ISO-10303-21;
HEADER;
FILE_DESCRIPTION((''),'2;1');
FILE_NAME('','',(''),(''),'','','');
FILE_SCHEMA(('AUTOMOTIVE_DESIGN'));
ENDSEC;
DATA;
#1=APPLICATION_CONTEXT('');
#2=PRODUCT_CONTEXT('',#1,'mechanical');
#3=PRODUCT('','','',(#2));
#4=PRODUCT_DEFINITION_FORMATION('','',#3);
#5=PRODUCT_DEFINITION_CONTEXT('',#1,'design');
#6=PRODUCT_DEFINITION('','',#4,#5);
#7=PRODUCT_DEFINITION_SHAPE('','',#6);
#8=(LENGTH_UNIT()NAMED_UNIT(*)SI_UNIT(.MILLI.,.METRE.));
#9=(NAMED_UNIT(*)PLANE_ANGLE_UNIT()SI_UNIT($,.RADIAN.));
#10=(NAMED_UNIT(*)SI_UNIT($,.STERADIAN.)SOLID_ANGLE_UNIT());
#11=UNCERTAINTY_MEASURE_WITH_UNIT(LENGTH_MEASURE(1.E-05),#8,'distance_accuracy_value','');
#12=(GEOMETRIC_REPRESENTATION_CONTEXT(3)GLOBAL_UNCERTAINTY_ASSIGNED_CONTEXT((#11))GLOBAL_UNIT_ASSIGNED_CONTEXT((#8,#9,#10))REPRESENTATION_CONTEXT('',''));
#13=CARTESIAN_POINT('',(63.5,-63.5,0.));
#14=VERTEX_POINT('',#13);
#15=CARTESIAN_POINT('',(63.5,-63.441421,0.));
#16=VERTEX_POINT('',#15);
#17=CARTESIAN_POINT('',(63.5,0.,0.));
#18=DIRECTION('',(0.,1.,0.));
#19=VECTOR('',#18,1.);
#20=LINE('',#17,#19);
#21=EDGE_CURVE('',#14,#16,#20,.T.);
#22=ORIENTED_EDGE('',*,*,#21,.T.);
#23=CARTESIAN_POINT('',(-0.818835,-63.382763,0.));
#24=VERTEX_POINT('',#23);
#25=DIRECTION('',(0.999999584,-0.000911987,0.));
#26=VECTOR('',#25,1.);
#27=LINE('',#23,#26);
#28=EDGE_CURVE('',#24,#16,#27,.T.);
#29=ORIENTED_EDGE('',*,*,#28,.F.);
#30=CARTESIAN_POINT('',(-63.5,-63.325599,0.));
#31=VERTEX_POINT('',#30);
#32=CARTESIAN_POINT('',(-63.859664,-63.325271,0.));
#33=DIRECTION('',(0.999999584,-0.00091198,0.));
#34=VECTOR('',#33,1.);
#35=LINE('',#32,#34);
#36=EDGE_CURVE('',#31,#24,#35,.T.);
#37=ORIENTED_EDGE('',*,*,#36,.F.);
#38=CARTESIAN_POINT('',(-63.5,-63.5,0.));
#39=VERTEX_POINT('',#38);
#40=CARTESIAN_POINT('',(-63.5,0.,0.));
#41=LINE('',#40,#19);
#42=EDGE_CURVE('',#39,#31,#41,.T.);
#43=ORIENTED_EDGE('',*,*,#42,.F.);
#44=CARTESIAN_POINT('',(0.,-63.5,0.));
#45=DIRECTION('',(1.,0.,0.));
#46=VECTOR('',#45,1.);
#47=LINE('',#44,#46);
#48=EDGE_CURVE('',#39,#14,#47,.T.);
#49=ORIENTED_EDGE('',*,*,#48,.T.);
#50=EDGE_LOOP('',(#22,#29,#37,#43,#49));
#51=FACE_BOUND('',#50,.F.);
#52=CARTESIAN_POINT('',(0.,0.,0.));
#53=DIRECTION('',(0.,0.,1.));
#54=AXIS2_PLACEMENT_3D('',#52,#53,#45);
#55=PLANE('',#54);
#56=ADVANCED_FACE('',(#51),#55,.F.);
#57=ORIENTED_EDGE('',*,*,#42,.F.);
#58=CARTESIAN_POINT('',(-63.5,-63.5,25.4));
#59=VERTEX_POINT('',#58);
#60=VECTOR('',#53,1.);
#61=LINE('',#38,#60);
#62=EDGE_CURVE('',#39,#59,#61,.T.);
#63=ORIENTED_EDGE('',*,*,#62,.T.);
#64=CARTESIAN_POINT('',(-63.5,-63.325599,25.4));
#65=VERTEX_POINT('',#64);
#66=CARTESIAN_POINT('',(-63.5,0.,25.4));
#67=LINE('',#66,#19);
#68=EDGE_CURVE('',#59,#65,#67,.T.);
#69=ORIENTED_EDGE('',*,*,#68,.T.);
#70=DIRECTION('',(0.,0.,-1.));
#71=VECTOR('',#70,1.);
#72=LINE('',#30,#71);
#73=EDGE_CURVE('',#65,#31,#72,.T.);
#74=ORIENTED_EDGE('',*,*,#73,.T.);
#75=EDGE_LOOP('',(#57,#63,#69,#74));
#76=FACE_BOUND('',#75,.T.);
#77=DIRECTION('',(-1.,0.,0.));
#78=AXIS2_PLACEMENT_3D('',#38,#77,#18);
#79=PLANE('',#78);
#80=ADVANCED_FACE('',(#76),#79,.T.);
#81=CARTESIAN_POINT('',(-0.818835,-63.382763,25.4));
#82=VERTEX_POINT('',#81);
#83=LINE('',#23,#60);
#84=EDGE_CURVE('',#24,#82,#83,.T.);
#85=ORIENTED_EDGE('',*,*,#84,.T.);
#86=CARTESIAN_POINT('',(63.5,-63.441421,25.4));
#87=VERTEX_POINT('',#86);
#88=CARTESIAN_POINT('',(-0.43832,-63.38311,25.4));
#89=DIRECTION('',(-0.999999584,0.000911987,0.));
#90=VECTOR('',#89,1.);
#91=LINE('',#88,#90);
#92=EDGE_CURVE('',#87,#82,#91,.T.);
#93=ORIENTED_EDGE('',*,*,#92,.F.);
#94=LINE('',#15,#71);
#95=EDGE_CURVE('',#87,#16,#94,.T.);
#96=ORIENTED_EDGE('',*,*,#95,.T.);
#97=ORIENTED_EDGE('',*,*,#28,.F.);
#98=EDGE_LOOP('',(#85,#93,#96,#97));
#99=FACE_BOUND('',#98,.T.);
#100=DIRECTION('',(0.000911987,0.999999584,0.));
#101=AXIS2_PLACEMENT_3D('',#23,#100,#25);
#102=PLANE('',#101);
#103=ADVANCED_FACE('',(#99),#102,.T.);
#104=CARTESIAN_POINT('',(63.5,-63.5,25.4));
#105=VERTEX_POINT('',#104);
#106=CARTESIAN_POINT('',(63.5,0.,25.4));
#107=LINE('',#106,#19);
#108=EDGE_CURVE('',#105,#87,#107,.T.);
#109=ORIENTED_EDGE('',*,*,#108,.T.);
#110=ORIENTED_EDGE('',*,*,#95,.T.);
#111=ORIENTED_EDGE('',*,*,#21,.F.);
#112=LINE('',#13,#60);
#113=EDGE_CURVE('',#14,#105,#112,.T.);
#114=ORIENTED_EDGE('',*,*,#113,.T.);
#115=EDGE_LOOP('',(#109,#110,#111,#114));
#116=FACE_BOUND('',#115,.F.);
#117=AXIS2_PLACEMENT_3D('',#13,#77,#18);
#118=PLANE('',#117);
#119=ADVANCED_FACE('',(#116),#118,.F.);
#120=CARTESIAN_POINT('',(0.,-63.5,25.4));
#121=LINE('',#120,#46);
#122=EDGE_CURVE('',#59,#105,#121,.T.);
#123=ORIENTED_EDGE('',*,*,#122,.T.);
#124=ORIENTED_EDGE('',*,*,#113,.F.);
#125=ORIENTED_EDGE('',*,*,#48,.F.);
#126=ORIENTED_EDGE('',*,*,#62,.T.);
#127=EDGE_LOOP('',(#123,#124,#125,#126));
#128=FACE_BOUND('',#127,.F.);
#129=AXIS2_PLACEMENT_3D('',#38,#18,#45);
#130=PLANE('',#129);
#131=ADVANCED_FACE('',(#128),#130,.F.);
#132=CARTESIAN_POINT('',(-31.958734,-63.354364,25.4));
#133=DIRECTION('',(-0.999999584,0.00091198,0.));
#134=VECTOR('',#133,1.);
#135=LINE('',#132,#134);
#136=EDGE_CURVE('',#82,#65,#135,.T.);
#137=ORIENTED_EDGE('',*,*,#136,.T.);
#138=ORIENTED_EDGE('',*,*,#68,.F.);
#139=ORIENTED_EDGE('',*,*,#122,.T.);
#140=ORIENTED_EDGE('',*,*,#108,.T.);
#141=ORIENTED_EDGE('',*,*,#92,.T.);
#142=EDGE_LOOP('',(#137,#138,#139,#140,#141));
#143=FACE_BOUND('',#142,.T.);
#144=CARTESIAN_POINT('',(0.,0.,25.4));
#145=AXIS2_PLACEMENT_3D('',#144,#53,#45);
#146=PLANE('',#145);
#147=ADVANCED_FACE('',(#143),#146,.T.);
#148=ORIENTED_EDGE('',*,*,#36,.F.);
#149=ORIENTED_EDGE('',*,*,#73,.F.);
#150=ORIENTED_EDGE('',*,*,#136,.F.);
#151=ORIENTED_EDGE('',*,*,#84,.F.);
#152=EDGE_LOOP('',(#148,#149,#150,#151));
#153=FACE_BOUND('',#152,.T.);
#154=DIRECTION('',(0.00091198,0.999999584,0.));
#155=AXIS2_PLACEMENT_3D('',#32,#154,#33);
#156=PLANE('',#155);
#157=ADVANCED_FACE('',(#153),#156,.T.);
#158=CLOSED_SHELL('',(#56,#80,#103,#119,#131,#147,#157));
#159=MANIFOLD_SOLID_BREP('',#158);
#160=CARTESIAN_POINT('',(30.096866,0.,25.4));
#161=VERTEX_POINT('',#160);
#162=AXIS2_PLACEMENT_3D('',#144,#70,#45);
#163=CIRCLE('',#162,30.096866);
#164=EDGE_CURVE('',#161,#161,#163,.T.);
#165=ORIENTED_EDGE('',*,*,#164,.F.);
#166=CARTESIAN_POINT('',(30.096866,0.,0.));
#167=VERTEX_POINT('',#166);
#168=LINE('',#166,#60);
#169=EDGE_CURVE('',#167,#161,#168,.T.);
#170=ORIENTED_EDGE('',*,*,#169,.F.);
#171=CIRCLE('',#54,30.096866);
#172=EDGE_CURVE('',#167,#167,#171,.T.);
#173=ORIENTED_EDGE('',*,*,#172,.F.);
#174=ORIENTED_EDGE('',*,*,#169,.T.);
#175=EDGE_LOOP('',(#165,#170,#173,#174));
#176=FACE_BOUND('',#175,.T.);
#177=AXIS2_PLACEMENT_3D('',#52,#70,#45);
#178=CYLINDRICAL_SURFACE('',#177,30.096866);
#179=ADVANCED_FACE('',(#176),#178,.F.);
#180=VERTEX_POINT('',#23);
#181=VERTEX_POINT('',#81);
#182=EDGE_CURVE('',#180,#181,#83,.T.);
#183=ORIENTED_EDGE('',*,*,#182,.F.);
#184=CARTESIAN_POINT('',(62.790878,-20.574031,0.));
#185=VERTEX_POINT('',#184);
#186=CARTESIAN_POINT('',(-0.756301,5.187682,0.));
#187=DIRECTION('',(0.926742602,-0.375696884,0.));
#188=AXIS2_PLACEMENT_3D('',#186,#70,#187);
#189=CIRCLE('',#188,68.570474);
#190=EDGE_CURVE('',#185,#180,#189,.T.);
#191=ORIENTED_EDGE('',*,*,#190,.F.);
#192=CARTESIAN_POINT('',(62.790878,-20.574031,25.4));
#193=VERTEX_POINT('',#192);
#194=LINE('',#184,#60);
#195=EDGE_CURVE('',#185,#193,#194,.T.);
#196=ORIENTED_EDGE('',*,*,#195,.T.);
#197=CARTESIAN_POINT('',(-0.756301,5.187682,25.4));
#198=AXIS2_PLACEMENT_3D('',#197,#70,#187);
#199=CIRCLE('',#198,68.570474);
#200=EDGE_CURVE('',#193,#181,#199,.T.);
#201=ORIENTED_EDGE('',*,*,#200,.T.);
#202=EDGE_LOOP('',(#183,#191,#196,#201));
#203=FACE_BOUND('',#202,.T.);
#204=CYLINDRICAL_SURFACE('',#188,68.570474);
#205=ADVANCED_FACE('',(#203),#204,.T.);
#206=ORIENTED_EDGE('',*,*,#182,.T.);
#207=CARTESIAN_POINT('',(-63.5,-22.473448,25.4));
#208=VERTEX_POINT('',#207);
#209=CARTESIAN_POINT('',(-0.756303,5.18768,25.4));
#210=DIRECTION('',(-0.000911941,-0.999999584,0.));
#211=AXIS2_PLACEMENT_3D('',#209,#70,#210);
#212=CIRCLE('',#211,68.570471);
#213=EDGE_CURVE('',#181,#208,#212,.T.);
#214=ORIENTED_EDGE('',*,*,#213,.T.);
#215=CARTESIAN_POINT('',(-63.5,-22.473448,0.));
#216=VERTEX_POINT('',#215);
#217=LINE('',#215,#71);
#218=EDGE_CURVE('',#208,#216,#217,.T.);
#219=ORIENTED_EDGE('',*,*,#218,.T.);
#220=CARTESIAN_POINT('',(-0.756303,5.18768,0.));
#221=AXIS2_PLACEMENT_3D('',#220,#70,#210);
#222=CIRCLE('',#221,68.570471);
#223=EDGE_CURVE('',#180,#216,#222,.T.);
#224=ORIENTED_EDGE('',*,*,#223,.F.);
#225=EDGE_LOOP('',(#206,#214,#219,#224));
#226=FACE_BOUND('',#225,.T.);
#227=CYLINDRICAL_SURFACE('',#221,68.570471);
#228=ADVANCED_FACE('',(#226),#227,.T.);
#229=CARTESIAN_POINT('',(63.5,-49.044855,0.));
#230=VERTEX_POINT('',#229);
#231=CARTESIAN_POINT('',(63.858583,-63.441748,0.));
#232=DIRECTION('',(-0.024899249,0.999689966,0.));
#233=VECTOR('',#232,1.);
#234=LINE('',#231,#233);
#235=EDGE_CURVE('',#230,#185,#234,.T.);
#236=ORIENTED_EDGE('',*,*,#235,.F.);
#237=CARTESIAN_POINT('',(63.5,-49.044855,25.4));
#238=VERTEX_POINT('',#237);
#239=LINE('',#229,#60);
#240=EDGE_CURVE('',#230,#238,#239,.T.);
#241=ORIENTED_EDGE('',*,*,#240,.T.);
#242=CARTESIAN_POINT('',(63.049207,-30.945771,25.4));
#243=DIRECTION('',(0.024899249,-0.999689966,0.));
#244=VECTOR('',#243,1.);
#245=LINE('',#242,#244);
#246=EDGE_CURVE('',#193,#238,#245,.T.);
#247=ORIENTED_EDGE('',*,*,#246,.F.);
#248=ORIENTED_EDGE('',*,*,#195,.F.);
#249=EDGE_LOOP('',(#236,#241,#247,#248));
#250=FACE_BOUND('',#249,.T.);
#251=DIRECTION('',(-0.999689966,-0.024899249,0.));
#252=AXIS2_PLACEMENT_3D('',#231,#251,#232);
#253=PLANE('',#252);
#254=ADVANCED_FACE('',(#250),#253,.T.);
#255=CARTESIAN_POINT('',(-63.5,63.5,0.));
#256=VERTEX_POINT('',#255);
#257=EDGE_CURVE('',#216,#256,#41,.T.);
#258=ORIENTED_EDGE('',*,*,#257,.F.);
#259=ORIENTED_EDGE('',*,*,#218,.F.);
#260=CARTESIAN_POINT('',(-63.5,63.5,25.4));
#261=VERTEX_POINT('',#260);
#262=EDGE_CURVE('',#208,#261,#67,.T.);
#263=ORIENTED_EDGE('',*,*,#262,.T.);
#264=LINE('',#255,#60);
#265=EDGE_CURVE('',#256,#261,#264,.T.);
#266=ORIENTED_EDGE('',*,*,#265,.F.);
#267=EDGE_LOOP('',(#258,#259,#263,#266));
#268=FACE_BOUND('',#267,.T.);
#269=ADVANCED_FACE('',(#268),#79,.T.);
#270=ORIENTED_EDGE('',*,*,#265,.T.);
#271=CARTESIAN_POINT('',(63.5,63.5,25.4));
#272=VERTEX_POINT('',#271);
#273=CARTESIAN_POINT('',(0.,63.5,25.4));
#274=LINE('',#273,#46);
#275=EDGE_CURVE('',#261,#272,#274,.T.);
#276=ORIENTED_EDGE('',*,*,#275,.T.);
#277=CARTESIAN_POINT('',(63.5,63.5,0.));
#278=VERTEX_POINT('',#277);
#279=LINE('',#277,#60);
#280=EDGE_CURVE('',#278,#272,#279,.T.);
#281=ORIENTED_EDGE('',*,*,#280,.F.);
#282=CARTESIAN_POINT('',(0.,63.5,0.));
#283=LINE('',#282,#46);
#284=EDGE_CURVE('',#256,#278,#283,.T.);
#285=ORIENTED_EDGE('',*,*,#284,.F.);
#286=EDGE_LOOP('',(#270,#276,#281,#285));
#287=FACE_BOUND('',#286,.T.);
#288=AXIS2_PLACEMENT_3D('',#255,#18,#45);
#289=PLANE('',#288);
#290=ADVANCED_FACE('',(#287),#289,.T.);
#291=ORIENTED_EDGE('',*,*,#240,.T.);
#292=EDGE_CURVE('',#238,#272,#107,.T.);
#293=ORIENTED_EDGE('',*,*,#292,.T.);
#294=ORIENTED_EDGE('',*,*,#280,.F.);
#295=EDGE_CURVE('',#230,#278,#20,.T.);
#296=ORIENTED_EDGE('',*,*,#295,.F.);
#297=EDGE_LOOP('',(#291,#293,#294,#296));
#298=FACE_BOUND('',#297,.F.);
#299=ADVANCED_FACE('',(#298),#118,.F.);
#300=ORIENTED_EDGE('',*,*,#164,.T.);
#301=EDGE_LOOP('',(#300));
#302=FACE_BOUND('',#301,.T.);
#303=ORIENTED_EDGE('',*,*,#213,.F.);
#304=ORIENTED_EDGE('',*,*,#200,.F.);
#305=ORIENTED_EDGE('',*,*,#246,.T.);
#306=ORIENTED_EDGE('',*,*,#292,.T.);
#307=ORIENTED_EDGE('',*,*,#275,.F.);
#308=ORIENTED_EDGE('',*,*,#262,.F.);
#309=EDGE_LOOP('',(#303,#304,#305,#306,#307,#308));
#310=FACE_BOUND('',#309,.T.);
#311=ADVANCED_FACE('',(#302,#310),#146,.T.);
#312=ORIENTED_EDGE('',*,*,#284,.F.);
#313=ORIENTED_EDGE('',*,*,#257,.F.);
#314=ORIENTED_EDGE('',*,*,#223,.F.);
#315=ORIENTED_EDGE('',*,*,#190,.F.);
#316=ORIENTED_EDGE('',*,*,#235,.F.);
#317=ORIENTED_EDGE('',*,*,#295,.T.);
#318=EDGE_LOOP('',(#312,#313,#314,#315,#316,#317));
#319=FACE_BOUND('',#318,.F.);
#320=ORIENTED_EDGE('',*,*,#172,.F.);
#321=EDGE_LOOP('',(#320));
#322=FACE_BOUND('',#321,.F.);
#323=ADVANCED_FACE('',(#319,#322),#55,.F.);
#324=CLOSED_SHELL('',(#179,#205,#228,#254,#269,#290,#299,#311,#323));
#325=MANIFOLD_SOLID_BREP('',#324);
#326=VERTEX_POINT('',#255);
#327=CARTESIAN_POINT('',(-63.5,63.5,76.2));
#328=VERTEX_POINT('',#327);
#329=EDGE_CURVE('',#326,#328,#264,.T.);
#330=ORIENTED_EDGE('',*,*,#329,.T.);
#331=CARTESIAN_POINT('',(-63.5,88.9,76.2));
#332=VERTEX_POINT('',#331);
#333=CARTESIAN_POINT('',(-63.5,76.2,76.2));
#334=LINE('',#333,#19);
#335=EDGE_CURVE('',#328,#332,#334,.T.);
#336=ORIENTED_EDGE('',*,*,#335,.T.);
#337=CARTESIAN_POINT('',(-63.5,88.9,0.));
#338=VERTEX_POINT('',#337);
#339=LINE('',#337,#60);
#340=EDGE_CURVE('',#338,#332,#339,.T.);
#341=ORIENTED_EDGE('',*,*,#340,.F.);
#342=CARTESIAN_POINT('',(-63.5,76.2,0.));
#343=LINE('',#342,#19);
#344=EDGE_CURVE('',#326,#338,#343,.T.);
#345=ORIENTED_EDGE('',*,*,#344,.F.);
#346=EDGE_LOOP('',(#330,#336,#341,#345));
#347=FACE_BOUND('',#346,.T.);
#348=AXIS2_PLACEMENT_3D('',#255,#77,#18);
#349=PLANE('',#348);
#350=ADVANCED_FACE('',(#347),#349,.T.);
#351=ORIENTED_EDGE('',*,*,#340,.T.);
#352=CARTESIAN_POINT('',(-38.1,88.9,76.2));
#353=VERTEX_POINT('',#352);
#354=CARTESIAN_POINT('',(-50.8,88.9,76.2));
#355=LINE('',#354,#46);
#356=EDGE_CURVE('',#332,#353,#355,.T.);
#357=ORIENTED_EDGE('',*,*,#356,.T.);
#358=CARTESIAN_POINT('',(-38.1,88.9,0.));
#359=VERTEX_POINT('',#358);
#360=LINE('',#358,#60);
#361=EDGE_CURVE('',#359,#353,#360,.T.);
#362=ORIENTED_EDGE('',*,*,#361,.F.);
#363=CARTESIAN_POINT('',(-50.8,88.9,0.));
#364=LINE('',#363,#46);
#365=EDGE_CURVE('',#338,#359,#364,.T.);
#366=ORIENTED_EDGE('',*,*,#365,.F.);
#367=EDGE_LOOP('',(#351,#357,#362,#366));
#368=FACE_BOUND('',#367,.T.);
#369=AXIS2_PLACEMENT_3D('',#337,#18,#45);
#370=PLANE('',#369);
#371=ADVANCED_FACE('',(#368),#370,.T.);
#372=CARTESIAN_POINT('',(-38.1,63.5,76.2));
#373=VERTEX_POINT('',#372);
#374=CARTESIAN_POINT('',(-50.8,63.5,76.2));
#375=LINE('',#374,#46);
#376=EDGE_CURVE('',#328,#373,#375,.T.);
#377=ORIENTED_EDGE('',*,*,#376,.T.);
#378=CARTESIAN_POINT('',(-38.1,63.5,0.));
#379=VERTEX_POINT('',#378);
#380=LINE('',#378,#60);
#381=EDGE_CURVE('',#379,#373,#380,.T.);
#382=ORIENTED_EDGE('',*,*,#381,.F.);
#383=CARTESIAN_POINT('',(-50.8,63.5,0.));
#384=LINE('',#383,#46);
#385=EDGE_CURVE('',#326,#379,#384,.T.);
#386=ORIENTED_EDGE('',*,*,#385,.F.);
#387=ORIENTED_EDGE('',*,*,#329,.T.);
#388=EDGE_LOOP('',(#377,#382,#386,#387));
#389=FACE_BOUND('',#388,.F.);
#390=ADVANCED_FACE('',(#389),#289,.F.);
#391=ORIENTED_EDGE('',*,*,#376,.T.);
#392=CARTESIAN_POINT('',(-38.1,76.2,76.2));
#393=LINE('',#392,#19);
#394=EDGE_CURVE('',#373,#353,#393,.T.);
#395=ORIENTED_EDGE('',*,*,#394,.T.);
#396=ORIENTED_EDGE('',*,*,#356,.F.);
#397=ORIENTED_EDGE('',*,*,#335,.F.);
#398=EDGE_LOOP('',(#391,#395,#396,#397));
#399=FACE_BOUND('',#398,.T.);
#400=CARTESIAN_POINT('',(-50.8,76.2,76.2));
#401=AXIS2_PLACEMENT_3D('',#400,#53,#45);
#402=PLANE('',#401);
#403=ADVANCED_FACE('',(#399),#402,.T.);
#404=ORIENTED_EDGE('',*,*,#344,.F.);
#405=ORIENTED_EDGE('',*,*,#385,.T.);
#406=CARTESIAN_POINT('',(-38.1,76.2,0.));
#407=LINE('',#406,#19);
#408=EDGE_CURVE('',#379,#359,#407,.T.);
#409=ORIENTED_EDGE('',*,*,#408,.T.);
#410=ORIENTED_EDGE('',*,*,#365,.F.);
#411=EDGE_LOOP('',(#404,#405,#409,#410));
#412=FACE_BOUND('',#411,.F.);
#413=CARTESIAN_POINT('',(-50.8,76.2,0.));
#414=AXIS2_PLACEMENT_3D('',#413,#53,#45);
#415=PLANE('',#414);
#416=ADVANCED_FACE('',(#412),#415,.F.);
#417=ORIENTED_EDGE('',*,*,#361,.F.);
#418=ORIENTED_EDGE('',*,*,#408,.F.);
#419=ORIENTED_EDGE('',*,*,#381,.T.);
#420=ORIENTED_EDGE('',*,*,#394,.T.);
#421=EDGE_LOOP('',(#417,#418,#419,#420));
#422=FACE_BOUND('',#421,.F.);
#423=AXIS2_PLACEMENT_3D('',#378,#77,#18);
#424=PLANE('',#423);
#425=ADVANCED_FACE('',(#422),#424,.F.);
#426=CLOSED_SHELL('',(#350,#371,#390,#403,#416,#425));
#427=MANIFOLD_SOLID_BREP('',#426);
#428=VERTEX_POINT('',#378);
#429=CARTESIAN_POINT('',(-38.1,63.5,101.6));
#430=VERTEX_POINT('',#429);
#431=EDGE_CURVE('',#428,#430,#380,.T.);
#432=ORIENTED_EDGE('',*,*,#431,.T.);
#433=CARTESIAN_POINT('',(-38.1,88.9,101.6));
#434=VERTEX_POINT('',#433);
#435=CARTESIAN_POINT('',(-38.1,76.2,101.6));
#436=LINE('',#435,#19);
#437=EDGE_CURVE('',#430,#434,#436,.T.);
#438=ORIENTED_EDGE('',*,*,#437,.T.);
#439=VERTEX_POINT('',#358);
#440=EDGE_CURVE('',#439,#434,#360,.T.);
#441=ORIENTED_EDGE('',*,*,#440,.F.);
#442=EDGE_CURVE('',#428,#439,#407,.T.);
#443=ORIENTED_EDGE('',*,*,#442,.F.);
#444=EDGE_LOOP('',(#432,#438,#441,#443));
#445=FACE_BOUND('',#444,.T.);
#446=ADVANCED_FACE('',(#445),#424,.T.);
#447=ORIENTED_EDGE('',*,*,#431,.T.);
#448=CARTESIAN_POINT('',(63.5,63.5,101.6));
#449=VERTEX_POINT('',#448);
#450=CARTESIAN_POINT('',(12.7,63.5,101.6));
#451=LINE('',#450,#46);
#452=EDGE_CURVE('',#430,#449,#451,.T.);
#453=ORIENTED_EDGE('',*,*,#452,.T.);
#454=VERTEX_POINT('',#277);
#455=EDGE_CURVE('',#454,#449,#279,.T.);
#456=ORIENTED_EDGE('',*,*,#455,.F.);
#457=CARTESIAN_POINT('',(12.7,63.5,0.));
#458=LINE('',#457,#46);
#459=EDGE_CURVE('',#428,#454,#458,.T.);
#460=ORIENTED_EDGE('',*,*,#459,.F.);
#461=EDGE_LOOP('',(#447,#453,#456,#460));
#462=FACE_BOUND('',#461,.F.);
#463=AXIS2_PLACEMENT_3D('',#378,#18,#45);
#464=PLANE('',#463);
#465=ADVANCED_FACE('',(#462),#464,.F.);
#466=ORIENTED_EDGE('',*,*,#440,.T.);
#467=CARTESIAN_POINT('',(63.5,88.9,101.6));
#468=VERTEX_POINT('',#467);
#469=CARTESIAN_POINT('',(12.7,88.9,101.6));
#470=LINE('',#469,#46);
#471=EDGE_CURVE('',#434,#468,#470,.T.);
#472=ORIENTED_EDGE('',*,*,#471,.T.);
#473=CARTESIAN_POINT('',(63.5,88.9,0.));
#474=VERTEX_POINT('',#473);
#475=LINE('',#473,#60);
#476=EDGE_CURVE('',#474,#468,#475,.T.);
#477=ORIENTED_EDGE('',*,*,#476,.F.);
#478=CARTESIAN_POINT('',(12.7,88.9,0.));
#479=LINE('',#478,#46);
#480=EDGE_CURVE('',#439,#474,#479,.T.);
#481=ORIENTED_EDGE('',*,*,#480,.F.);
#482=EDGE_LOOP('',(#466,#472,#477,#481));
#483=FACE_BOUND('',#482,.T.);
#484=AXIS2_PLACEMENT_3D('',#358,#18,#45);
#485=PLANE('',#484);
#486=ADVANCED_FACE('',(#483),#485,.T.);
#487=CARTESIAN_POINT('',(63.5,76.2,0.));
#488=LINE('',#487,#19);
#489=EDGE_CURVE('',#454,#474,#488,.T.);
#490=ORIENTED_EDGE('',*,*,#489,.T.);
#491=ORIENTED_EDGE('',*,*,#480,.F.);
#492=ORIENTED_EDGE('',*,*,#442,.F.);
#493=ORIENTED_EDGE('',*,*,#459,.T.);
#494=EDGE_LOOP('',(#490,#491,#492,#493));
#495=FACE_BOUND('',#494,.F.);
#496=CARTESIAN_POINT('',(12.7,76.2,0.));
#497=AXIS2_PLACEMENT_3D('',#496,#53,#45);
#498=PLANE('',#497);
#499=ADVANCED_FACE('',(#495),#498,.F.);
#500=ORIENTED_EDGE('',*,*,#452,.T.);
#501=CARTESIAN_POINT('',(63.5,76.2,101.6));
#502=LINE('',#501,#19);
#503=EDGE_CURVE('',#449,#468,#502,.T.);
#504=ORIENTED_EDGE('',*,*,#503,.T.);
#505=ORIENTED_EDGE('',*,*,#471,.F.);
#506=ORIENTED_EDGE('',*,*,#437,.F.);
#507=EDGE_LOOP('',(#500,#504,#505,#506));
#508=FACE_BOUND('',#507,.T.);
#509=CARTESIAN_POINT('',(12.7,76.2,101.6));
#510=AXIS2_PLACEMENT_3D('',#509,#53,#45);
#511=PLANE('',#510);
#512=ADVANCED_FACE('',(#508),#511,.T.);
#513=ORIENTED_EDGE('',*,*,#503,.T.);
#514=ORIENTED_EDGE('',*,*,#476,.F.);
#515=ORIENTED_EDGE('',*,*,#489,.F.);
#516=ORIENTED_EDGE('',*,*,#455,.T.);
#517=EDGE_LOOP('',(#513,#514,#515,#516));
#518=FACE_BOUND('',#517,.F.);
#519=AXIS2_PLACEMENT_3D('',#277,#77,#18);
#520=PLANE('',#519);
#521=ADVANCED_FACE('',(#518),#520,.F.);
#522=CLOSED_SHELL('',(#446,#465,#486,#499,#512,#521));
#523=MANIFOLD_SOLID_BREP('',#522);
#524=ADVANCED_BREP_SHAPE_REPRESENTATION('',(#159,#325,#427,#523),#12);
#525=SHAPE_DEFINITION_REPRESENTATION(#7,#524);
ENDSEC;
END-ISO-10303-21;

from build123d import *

# Parameters (mm, degrees)
F0_W     = 127
F0_H     = 127
F1_DEPTH = 25.4
F2_R     = 30.096866
F3_DEPTH = 50.8
F5_DEPTH = 50.8
F6_W     = 25.4
F6_H     = 25.4
F7_DEPTH = 76.2
F8_W     = 101.6
F8_H     = 25.4
F9_DEPTH = 101.6


with BuildPart() as f1:
    # F0 (on Top) → F1 (new body)
    with BuildSketch(Plane.XY):
        Rectangle(F0_W, F0_H)
    extrude(amount=F1_DEPTH)

    # F2 (on Top) → F3 (cut)
    with BuildSketch(Plane.XY):
        Circle(F2_R)
    extrude(amount=F3_DEPTH, mode=Mode.SUBTRACT)

    # F4 (on Top) → F5 (cut)
    with BuildSketch(Plane.XY):
        with BuildLine():
            ThreePointArc((62.790878, -20.574031), (37.528447, -51.69982), (-0.818835, -63.382763))
            Line((-0.818835, -63.382763), (63.858583, -63.441748))
            Line((63.858583, -63.441748), (62.790878, -20.574031))
        make_face()
        with BuildLine():
            ThreePointArc((-0.818835, -63.382763), (-38.611796, -51.986363), (-63.859664, -21.642813))
            Line((-63.859664, -21.642813), (-63.859664, -63.325271))
            Line((-63.859664, -63.325271), (-0.818835, -63.382763))
        make_face()
    extrude(amount=F5_DEPTH, mode=Mode.SUBTRACT)


with BuildPart() as f7:
    # F6 (on Top) → F7 (new body)
    with BuildSketch(Plane.XY):
        with Locations((-50.8, 76.2)):
            Rectangle(F6_W, F6_H)
    extrude(amount=F7_DEPTH)


with BuildPart() as f9:
    # F8 (on Top) → F9 (new body)
    with BuildSketch(Plane.XY):
        with Locations((12.7, 76.2)):
            Rectangle(F8_W, F8_H)
    extrude(amount=F9_DEPTH)


solid = Compound([f1.part, f7.part, f9.part])
